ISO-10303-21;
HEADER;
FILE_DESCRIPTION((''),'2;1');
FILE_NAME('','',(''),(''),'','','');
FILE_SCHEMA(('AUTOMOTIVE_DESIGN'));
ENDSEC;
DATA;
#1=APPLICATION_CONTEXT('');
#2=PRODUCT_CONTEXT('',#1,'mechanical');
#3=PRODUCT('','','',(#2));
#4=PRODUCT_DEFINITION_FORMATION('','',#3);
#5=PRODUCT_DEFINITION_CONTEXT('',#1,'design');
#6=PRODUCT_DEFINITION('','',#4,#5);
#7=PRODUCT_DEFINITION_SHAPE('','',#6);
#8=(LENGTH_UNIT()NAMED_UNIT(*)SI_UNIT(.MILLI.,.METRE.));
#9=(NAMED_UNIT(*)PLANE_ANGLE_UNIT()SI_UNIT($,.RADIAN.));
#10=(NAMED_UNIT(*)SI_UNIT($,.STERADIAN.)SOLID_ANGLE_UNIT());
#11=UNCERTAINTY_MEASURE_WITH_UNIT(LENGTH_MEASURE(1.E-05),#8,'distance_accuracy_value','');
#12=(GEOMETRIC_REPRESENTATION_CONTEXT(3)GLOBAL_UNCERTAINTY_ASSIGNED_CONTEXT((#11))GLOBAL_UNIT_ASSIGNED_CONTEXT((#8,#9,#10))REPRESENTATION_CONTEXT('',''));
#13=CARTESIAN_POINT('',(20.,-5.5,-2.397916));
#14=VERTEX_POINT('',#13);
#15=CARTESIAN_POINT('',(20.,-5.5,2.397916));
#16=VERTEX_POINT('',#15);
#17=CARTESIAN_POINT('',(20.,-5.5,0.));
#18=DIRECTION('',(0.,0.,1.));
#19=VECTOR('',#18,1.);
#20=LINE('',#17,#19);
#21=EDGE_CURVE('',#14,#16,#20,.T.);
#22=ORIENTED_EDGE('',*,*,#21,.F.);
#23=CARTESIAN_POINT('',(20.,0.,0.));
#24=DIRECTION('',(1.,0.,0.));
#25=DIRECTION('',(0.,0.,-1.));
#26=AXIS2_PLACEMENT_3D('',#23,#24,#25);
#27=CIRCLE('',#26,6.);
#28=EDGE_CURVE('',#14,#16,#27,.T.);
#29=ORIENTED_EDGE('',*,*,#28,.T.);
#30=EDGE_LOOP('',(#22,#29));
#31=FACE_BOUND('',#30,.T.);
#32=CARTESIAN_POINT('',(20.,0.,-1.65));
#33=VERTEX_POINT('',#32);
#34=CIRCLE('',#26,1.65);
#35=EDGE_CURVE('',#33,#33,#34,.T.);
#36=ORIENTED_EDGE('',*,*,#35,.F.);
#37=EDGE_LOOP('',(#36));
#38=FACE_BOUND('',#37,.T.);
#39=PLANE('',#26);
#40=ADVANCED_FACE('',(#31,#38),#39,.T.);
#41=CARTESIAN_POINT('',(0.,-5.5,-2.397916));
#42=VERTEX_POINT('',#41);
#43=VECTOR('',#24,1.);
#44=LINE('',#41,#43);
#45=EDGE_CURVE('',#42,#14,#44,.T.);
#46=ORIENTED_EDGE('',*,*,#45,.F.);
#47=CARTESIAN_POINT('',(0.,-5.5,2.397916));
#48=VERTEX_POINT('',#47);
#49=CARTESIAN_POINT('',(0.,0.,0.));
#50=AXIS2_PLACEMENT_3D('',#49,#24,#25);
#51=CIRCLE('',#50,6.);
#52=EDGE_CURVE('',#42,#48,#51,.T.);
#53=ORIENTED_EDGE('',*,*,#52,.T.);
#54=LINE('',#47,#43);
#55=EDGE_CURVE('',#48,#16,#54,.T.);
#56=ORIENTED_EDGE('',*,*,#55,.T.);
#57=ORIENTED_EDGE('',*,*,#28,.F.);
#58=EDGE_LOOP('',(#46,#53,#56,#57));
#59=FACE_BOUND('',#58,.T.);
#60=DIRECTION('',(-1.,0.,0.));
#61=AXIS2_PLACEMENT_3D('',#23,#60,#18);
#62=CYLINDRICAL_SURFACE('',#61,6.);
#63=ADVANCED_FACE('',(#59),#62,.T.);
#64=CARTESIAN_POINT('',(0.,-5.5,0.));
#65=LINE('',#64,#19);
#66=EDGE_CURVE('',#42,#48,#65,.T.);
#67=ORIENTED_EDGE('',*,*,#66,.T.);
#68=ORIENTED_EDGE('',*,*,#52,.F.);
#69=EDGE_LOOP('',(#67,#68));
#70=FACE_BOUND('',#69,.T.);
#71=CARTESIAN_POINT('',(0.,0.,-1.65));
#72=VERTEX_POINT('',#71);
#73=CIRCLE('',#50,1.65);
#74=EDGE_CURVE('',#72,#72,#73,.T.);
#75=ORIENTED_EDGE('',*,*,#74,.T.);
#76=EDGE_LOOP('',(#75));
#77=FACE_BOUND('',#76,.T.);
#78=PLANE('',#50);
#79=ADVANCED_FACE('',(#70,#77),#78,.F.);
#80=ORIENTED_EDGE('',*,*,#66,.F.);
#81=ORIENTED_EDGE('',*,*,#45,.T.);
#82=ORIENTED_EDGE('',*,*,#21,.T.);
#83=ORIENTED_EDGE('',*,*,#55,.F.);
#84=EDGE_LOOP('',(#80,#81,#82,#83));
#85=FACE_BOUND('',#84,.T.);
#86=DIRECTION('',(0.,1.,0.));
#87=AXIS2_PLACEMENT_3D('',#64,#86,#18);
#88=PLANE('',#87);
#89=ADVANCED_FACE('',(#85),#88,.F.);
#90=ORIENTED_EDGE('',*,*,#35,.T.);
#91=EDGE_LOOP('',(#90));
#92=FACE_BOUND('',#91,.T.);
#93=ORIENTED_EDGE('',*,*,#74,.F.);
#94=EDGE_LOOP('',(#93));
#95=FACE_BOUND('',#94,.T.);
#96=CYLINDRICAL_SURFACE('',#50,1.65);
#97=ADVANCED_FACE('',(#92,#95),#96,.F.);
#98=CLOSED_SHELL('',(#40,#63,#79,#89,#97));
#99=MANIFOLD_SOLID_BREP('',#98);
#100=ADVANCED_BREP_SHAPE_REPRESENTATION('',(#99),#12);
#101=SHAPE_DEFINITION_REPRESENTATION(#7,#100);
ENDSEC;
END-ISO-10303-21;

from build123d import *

# Parameters (mm, degrees)
SKETCH_1_R          = 6
EXTRUDE_1_DEPTH     = 20
SKETCH_3_R          = 1.65
CUT_EXTRUDE_2_DEPTH = 22.725560982
CUT_EXTRUDE_1_DEPTH = 22.725560982


with BuildPart() as part:
    # ｽｹｯﾁ1 → ﾎﾞｽ - 押し出し1 (new body)
    with BuildSketch(Plane(origin=(0, 0, 0), x_dir=(0, 0, -1), z_dir=(1, 0, 0))):
        Circle(SKETCH_1_R)
    extrude(amount=EXTRUDE_1_DEPTH)

    # ｽｹｯﾁ3 → ｶｯﾄ - 押し出し2 (cut, through all)
    with BuildSketch(Plane(origin=(20, 0, 0), x_dir=(0, 0, -1), z_dir=(1, 0, 0))):
        Circle(SKETCH_3_R)
    extrude(amount=-CUT_EXTRUDE_2_DEPTH, mode=Mode.SUBTRACT)

    # ｽｹｯﾁ2 → ｶｯﾄ - 押し出し1 (cut, through all)
    with BuildSketch(Plane(origin=(20, 0, 0), x_dir=(0, 0, -1), z_dir=(1, 0, 0))):
        with BuildLine():
            Line((2.397915762, -5.5), (-2.397915762, -5.5))
            ThreePointArc((-2.397915762, -5.5), (0, -6), (2.397915762, -5.5))
        make_face()
    extrude(amount=-CUT_EXTRUDE_1_DEPTH, mode=Mode.SUBTRACT)


solid = part.part
